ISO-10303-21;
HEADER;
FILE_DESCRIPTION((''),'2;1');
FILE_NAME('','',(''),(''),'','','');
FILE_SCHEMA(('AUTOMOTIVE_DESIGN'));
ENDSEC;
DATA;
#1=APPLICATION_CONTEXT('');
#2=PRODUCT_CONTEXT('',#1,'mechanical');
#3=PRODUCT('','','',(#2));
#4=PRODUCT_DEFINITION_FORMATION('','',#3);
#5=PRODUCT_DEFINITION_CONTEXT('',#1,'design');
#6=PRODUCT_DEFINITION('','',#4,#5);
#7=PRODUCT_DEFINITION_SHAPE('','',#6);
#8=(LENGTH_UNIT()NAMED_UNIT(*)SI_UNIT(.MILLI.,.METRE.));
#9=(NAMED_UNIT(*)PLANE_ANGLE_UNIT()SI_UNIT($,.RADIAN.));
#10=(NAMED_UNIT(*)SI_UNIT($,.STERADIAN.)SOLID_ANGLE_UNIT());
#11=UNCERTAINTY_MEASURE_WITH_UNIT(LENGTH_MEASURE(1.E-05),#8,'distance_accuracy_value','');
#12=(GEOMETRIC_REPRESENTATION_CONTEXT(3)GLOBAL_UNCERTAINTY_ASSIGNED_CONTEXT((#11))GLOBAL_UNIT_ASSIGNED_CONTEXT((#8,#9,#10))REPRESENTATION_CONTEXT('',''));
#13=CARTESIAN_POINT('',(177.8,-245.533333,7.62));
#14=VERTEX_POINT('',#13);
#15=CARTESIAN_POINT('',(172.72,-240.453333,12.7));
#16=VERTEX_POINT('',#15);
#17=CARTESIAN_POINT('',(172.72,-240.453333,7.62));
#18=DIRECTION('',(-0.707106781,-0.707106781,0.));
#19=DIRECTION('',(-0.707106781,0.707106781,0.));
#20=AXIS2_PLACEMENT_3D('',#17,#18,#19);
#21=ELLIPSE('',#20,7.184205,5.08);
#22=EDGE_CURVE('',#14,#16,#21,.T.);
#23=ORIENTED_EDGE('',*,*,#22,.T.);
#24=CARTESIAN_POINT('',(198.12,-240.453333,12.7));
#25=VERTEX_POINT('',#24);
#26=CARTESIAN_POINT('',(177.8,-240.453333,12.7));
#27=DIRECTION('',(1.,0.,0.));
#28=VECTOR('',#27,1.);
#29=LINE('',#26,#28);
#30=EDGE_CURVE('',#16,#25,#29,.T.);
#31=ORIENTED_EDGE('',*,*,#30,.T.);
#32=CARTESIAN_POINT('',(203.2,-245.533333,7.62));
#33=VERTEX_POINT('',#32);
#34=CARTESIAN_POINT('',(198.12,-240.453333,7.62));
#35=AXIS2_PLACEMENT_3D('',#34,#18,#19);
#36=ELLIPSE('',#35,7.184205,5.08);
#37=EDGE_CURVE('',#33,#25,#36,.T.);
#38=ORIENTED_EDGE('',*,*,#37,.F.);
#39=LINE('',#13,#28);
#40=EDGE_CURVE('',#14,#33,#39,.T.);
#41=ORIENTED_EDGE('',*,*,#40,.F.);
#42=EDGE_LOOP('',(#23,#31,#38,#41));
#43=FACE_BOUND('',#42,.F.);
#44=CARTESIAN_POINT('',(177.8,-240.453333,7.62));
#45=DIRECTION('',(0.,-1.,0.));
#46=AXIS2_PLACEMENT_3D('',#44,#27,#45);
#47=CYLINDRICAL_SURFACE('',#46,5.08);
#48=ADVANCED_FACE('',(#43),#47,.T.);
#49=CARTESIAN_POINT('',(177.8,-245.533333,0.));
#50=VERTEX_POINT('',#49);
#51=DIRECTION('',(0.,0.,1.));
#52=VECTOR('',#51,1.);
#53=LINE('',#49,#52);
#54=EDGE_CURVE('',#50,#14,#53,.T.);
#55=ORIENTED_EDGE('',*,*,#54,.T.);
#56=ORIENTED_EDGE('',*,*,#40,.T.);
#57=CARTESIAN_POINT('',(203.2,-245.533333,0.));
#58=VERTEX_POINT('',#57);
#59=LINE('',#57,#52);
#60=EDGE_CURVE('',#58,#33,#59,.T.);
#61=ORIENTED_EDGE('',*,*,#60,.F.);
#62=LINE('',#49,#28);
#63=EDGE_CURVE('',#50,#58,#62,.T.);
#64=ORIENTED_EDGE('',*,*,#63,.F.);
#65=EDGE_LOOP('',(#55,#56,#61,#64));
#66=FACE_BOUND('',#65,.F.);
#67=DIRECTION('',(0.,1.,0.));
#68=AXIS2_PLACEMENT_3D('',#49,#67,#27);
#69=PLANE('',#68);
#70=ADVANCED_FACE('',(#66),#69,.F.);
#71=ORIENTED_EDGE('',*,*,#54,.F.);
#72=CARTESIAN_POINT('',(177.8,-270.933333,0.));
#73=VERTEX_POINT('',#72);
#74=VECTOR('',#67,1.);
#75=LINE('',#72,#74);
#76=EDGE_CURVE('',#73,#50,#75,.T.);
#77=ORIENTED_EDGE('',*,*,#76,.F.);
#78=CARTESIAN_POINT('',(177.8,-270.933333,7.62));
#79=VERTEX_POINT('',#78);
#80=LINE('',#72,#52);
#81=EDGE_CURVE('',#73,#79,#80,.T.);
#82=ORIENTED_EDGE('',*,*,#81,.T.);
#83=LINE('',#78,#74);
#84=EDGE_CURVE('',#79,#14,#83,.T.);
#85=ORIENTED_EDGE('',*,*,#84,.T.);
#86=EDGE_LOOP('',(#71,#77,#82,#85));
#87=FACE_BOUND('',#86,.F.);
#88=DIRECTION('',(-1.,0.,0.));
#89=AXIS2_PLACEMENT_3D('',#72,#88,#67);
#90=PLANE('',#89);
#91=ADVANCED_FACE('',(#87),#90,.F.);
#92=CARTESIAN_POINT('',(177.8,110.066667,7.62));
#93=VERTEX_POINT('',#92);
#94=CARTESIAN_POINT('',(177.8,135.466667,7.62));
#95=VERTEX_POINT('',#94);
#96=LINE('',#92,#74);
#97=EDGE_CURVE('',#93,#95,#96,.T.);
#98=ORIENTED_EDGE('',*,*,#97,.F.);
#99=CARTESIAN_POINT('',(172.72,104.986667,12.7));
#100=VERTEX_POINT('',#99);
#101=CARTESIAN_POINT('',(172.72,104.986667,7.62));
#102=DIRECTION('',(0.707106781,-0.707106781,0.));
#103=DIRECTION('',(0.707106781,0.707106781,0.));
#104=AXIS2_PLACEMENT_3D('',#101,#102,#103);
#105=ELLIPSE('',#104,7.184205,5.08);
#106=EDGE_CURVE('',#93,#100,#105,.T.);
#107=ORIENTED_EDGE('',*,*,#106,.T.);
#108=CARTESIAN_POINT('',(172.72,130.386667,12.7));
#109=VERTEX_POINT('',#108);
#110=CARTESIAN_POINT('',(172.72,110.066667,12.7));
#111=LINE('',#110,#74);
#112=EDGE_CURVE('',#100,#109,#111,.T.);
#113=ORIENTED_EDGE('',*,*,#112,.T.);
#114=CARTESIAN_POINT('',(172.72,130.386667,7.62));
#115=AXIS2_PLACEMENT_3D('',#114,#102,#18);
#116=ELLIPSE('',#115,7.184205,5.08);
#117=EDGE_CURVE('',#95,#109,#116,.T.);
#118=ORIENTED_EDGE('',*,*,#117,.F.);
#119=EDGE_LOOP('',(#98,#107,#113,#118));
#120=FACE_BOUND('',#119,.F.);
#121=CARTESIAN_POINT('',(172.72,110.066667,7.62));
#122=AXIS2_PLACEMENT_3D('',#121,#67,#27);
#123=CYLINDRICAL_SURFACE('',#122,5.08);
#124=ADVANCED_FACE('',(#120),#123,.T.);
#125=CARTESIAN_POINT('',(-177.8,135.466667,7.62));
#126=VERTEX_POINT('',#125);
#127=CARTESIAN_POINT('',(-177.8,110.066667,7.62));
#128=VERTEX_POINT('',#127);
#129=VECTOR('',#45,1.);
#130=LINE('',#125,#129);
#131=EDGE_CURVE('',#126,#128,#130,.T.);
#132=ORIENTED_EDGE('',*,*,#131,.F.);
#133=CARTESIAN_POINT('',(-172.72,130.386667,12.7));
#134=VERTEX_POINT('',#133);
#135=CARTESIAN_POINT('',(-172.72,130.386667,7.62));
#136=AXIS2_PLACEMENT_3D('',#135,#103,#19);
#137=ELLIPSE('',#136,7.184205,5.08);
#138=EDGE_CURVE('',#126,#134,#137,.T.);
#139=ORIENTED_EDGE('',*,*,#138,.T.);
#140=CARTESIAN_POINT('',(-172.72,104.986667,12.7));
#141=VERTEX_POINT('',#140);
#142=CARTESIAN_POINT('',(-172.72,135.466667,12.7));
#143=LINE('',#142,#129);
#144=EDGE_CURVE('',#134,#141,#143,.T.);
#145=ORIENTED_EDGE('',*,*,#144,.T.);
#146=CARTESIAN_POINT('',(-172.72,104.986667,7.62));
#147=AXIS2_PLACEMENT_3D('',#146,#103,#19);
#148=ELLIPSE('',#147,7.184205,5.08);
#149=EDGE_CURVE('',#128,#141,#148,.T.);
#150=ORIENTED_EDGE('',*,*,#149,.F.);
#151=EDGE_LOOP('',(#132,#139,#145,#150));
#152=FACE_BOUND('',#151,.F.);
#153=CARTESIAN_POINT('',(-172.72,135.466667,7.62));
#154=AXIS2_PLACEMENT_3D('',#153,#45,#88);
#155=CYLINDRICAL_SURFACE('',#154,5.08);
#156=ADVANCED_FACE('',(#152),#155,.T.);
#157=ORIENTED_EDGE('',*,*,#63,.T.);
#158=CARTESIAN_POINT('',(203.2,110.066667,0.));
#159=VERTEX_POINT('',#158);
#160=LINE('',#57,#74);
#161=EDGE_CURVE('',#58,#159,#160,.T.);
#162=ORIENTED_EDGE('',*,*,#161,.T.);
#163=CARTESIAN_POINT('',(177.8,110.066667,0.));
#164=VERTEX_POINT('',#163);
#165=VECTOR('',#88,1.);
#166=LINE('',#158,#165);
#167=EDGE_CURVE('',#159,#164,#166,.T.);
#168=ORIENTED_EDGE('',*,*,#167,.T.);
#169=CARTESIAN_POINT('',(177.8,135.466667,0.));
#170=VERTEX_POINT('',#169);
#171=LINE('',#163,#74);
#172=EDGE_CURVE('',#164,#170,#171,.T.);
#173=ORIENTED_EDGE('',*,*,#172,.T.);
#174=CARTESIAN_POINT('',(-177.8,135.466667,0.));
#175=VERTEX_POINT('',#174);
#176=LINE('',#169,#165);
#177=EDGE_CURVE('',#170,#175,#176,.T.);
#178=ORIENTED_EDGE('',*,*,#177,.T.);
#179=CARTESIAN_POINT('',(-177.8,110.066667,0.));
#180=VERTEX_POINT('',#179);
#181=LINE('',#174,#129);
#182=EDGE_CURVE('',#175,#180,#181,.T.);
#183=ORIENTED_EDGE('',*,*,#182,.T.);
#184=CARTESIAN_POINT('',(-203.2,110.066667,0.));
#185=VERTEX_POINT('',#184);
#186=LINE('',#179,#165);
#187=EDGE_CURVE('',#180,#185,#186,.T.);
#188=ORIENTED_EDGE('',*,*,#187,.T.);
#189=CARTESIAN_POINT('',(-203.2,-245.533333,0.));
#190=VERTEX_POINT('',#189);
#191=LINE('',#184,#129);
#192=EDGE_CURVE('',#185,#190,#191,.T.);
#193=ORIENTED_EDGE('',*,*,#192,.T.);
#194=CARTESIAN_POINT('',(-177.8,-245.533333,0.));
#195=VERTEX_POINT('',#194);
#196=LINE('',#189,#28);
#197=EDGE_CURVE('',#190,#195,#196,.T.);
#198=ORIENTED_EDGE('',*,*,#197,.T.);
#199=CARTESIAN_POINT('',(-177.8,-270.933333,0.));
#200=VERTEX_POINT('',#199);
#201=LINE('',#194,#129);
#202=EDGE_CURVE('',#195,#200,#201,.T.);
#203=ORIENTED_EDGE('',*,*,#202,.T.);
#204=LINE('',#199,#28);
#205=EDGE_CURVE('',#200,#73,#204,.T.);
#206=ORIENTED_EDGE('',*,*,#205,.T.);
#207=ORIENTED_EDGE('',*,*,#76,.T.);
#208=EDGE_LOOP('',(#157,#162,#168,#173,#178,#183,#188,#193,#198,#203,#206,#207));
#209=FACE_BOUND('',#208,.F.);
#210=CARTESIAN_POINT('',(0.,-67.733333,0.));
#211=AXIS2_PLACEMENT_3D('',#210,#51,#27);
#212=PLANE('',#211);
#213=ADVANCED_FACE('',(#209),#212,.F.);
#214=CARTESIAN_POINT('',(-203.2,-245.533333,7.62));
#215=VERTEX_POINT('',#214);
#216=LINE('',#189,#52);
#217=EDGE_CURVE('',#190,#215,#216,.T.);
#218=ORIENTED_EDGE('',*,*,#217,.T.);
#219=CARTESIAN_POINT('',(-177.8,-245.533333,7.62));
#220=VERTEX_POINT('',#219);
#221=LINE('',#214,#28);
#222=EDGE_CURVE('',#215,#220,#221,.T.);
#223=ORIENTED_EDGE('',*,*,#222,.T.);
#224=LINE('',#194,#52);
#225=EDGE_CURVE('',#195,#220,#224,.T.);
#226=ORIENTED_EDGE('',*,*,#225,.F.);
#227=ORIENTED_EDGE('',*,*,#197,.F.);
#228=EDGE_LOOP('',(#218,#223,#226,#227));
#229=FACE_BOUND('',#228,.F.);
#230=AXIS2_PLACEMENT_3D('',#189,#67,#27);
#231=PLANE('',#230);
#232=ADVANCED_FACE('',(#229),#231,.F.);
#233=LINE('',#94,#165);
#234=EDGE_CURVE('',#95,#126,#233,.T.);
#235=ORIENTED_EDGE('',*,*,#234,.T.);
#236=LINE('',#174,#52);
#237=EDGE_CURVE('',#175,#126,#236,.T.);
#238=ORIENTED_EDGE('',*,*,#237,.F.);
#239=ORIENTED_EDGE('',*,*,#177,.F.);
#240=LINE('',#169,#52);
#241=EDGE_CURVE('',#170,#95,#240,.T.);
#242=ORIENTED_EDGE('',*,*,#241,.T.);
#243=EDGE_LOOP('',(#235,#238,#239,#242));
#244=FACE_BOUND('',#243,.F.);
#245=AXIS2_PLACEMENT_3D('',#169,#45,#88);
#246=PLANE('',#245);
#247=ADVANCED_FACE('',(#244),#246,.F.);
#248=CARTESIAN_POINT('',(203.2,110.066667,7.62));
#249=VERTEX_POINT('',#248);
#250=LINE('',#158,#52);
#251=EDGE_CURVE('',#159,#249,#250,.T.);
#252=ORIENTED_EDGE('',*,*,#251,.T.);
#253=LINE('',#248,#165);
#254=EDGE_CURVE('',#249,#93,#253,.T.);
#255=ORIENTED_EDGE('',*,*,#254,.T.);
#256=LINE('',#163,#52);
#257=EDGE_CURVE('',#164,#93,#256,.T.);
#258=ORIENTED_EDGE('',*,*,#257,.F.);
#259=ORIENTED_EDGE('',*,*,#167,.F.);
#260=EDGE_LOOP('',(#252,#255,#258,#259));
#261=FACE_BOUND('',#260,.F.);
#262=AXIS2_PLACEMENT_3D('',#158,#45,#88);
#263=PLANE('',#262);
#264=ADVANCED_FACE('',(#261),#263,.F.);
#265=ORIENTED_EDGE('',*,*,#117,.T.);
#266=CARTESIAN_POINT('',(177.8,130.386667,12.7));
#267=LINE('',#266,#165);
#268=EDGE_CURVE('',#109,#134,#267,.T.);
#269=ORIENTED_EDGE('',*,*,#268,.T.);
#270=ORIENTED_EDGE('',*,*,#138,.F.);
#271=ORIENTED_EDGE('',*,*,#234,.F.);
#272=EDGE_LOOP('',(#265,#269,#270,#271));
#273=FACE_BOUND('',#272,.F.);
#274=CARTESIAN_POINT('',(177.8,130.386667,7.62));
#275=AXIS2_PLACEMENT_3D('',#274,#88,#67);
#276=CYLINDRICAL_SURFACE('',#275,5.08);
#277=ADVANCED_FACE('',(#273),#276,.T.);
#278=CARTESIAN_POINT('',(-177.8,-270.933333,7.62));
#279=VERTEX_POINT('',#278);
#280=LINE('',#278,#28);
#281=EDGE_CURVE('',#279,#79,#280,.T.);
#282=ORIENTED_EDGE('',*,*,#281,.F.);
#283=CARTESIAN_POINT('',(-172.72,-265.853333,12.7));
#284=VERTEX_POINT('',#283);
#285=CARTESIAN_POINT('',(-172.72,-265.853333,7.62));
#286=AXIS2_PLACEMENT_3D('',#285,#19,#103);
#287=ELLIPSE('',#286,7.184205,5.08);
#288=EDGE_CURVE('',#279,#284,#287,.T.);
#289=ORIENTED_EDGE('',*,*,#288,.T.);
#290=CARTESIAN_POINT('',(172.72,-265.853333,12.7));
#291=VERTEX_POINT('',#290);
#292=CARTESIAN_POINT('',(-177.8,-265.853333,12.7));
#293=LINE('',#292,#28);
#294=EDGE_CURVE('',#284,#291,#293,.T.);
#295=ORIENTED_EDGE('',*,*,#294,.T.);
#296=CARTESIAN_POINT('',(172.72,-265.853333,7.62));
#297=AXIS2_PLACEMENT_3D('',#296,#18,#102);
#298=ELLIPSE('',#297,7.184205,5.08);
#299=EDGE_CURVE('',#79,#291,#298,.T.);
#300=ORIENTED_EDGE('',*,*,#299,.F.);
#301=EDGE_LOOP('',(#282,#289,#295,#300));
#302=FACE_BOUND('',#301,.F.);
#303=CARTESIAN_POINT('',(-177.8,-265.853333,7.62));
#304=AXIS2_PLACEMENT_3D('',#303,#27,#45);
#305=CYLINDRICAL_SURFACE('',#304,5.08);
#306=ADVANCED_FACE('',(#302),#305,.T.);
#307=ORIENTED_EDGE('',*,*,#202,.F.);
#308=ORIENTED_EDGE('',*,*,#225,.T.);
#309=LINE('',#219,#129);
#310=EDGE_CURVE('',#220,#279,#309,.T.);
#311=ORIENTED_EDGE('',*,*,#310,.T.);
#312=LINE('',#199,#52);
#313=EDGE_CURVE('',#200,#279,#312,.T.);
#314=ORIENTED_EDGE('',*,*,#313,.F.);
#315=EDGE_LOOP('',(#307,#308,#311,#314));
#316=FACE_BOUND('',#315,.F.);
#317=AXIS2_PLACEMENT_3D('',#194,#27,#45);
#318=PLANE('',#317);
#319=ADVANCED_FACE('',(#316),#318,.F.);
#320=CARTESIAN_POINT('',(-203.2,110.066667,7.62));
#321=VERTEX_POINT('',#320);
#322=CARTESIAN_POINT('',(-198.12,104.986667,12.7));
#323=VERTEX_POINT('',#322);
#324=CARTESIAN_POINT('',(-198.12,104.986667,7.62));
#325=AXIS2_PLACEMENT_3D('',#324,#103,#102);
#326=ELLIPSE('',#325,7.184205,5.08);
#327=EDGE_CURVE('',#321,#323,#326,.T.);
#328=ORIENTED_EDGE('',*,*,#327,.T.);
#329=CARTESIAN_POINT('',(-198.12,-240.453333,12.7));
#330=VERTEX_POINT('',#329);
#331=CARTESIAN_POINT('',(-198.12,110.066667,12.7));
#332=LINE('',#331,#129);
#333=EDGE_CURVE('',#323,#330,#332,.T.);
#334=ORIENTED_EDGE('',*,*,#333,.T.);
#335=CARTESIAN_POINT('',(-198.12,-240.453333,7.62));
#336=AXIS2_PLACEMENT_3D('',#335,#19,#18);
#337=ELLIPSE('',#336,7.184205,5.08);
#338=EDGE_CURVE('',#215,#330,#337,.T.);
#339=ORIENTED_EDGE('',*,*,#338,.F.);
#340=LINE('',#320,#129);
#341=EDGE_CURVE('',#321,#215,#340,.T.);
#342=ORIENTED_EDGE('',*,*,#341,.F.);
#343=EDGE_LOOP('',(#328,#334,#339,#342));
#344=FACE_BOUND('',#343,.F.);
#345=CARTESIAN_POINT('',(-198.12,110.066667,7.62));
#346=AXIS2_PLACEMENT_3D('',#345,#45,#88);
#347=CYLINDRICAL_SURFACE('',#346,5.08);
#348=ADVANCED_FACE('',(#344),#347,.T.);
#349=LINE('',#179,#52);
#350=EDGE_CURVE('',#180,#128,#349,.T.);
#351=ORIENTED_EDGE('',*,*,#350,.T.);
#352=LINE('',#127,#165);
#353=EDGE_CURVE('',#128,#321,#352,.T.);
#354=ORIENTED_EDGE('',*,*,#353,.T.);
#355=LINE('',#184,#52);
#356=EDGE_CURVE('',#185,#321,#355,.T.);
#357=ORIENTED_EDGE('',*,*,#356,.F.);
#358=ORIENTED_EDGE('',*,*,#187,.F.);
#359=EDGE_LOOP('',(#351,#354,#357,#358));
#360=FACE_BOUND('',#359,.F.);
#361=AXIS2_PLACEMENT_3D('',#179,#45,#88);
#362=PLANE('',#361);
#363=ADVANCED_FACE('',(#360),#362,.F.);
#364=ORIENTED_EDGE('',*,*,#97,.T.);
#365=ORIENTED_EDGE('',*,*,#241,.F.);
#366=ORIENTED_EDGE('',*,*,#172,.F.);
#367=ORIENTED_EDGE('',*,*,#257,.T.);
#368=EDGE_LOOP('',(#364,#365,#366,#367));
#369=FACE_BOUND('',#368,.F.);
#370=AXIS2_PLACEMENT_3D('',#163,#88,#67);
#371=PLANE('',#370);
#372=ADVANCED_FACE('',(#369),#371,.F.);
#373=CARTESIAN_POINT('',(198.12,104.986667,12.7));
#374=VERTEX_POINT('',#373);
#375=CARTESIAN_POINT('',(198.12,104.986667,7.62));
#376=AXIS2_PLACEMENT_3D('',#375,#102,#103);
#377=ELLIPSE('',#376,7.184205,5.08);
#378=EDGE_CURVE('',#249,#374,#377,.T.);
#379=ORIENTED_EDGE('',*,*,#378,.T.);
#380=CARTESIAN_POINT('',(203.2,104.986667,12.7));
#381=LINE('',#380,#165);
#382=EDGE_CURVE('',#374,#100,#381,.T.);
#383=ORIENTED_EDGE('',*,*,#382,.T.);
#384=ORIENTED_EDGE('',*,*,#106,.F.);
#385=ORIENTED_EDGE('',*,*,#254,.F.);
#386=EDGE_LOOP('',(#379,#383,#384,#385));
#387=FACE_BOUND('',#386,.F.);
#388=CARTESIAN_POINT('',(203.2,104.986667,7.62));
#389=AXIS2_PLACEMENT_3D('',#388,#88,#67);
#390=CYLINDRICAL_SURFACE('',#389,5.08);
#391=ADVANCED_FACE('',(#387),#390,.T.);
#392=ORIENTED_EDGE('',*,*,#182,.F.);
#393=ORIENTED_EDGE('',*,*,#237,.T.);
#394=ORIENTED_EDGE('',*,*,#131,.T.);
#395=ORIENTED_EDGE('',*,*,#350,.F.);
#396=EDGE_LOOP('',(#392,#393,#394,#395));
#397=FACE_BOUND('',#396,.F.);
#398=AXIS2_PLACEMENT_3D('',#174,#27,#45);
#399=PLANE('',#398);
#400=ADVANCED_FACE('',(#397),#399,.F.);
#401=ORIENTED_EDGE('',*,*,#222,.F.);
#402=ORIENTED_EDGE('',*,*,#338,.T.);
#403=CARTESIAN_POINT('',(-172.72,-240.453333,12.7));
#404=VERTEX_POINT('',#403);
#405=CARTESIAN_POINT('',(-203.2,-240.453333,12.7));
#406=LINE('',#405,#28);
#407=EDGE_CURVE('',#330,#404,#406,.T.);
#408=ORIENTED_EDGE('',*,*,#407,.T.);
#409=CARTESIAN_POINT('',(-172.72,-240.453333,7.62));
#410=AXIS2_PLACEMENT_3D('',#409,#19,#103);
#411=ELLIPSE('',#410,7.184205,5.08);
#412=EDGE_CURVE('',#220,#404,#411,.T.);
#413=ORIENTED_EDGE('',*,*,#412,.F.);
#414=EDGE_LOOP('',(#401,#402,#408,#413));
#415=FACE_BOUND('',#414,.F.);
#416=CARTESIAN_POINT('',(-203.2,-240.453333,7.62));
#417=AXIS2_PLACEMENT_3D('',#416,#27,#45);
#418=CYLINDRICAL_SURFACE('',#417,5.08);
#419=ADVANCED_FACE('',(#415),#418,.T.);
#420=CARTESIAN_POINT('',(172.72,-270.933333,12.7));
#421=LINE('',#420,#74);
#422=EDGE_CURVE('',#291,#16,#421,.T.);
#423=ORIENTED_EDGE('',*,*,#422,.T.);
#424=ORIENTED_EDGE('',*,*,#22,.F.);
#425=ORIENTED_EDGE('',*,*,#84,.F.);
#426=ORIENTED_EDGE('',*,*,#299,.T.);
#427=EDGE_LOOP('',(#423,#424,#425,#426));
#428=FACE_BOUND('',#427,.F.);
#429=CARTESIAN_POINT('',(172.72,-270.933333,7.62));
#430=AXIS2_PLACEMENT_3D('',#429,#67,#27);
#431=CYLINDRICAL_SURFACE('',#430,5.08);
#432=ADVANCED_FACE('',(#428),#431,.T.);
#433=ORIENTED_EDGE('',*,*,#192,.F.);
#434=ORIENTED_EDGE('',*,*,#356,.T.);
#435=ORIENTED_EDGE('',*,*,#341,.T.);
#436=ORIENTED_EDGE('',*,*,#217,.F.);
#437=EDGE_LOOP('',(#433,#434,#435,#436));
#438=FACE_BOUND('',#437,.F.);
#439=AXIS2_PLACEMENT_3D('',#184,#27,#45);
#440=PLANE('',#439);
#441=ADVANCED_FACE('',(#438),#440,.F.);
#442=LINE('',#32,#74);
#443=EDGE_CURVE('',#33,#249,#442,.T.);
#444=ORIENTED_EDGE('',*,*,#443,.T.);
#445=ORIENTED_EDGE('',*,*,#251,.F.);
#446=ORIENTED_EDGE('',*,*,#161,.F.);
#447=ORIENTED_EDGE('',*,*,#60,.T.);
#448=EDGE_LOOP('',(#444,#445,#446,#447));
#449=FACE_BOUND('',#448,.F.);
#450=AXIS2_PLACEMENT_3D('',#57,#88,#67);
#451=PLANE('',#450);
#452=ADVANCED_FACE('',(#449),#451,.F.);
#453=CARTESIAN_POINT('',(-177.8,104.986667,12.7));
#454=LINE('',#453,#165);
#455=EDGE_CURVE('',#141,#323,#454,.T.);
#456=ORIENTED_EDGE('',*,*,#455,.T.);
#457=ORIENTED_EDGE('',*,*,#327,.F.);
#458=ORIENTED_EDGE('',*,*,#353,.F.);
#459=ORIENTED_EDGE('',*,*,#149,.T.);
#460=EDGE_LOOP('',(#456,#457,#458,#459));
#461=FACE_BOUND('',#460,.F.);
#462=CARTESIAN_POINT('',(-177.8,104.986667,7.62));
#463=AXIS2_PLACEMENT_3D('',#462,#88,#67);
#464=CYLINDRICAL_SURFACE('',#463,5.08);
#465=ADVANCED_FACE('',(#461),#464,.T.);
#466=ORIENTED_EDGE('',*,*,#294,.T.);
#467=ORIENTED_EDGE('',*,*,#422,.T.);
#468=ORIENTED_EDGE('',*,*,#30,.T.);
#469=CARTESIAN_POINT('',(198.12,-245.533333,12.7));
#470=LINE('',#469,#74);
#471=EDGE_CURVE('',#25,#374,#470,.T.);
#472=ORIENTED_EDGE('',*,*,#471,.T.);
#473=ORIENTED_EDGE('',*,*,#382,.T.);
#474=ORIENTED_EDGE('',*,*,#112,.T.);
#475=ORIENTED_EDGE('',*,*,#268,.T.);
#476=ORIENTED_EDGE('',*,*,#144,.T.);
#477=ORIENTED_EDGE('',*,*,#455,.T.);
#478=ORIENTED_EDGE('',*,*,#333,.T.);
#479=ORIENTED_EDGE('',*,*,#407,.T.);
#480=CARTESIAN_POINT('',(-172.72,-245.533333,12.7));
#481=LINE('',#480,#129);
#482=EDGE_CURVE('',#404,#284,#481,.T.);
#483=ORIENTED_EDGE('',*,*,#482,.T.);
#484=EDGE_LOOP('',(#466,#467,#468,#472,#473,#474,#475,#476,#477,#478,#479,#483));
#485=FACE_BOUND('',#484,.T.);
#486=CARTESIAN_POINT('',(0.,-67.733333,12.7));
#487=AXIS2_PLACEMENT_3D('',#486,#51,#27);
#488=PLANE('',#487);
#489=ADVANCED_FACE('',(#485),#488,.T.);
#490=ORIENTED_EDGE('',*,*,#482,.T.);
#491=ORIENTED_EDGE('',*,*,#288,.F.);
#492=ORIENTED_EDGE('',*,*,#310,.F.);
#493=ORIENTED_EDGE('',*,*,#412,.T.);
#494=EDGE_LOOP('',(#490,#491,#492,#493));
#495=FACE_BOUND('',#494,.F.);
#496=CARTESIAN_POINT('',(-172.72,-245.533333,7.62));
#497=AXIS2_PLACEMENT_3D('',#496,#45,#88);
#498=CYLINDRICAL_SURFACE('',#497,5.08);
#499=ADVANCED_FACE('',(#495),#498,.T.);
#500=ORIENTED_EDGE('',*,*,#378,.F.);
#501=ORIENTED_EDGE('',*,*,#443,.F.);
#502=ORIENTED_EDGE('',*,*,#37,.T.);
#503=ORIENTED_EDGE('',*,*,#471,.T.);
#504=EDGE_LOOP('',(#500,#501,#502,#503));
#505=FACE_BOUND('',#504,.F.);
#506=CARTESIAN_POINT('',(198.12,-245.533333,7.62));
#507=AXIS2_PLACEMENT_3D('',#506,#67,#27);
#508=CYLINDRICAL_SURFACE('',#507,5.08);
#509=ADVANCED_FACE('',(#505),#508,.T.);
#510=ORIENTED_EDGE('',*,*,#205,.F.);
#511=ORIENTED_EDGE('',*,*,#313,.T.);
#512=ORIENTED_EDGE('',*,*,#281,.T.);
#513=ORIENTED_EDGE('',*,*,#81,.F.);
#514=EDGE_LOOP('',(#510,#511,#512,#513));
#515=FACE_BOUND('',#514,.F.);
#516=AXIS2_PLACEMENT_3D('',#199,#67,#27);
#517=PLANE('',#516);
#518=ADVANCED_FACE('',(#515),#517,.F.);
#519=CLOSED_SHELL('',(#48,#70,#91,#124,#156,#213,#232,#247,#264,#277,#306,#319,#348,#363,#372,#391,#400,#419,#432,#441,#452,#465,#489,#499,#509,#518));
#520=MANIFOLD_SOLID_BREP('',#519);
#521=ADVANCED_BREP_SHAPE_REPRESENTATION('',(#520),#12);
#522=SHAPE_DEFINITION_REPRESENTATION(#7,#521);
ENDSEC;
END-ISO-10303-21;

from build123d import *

# Parameters (mm, degrees)
F1_DEPTH = 12.7
F2_R     = 5.08


with BuildPart() as f1:
    # F0 (on Top) → F1 (new body)
    with BuildSketch(Plane.XY):
        Polygon((177.8, 135.466667), (-177.8, 135.466667), (-177.8, 110.066667), (-203.2, 110.066667), (-203.2, -245.533333), (-177.8, -245.533333), (-177.8, -270.933333), (177.8, -270.933333), (177.8, -245.533333), (203.2, -245.533333), (203.2, 110.066667), (177.8, 110.066667), align=None)
    extrude(amount=F1_DEPTH)

    # F2
    f2_edges = [f1.edges().sort_by_distance(p)[0] for p in [
        (-203.2, -67.733333, 12.7),
        (0, -270.933333, 12.7),
        (203.2, -67.733333, 12.7),
        (0, 135.466667, 12.7),
        (-190.5, 110.066667, 12.7),
        (-177.8, 122.766667, 12.7),
        (177.8, 122.766667, 12.7),
        (190.5, 110.066667, 12.7),
        (-190.5, -245.533333, 12.7),
        (-177.8, -258.233333, 12.7),
        (177.8, -258.233333, 12.7),
        (190.5, -245.533333, 12.7),
    ]]
    fillet(f2_edges, radius=F2_R)


solid = f1.part
